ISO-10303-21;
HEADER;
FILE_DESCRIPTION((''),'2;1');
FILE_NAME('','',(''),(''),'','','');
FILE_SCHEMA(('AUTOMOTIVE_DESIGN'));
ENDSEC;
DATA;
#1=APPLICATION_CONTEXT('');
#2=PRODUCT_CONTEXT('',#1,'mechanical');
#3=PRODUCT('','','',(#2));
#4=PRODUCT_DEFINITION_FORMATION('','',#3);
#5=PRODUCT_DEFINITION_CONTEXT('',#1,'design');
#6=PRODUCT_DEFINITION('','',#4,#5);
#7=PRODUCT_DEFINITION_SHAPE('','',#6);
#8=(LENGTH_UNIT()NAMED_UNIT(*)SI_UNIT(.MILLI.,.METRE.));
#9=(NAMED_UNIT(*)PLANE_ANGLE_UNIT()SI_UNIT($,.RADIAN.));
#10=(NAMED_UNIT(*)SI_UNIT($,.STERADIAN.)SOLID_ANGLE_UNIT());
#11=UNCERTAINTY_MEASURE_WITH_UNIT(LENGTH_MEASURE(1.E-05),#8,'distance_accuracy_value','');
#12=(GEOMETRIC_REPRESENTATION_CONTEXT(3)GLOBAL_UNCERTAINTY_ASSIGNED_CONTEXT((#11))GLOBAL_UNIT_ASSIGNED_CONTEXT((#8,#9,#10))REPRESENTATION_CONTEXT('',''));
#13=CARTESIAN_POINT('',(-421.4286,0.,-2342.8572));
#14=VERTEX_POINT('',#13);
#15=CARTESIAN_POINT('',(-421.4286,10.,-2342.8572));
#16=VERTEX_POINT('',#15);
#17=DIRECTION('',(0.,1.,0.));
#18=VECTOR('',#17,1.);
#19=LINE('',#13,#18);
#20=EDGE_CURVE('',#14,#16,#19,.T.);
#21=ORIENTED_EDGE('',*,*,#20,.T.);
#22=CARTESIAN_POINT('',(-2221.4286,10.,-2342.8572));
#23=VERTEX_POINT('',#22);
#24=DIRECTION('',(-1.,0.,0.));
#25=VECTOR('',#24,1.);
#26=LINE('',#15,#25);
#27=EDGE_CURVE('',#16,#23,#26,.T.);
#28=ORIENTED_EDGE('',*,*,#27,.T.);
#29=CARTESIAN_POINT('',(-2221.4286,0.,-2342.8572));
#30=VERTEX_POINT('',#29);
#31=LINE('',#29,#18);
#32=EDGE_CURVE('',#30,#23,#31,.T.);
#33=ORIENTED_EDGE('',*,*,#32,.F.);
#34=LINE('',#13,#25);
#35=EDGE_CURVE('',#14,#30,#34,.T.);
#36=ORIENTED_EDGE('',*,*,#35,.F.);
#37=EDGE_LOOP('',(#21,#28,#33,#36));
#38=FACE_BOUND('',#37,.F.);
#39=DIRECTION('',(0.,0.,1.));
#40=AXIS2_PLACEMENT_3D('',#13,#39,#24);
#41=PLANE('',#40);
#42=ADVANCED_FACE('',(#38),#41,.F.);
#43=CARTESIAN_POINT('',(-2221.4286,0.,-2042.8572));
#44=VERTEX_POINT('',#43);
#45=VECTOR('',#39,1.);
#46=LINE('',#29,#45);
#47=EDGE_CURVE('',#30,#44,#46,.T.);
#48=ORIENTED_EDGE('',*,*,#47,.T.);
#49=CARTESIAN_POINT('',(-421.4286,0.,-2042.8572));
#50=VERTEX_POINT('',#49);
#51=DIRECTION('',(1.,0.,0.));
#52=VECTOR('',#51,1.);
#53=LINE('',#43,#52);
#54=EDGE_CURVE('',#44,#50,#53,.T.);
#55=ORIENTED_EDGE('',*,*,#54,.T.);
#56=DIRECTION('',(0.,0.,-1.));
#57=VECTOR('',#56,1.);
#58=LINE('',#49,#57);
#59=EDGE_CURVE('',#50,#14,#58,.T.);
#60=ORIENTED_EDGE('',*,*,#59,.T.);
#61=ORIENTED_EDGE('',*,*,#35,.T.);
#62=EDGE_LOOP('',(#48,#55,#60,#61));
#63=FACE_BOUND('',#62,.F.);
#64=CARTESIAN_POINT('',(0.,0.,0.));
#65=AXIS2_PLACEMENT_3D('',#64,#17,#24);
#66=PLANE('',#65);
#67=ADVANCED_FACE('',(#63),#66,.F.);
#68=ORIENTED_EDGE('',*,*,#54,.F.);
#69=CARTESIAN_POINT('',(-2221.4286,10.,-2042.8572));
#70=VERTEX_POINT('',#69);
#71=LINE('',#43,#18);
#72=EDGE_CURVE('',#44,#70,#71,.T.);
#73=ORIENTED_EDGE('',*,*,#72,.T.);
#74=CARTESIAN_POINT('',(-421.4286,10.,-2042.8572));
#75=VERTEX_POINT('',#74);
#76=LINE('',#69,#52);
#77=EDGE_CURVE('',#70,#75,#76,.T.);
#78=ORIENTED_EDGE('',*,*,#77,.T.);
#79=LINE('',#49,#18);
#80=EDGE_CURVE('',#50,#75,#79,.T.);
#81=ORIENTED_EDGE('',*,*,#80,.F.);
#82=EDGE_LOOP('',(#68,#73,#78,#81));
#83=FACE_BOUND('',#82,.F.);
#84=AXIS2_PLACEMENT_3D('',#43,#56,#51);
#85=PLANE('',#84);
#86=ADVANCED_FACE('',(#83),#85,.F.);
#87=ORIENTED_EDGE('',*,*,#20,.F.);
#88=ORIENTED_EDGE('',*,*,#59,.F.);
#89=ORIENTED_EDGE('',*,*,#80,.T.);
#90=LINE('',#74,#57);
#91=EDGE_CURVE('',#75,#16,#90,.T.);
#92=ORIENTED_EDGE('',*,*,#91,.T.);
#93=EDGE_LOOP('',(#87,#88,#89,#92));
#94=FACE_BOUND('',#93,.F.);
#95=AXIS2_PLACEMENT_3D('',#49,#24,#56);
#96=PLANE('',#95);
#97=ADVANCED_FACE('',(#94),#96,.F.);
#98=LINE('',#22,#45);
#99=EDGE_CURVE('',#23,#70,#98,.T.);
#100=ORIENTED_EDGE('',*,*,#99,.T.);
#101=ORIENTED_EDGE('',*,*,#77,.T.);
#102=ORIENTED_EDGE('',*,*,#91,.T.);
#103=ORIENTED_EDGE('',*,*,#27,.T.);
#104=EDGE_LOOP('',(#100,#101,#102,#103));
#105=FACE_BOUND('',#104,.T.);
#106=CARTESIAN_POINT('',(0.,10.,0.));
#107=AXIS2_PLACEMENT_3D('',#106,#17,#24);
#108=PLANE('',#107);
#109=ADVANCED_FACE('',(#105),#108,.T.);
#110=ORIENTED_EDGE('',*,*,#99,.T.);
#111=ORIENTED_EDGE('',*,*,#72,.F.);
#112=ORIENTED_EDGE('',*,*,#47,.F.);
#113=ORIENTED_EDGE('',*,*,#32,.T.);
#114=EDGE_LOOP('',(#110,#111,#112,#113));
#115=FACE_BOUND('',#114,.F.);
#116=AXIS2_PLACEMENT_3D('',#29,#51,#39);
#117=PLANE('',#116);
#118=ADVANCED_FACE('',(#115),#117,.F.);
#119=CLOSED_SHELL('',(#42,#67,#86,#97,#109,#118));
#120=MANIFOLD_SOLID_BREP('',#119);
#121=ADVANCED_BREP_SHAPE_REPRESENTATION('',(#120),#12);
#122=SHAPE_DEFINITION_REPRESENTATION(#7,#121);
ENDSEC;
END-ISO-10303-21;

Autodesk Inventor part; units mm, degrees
ref_plane "YZ Plane" through (0, 0, 0) normal (1, 0, 0) x (0, 1, 0)
ref_plane "XZ Plane" through (0, 0, 0) normal (0, 1, 0) x (-1, 0, 0)
ref_plane "XY Plane" through (0, 0, 0) normal (0, 0, 1) x (1, 0, 0)
sketch "Skizze1" plane through (0, 0, 0) normal (0, 1, 0) x (-1, 0, 0)
  line L0 (2221.4286, -2042.8572) -> (421.4286, -2042.8572)
  line L1 (421.4286, -2042.8572) -> (421.4286, -2342.8572)
  line L2 (421.4286, -2342.8572) -> (2221.4286, -2342.8572)
  line L3 (2221.4286, -2342.8572) -> (2221.4286, -2042.8572)
  point P0 (0, 0)
  dimension "d0" = 1800
  dimension "d1" = 300
extrude "Extrusion1" add sketch "Skizze1" along normal blind 10
properties part number "Wand" material "Holz (Ahorn)"
